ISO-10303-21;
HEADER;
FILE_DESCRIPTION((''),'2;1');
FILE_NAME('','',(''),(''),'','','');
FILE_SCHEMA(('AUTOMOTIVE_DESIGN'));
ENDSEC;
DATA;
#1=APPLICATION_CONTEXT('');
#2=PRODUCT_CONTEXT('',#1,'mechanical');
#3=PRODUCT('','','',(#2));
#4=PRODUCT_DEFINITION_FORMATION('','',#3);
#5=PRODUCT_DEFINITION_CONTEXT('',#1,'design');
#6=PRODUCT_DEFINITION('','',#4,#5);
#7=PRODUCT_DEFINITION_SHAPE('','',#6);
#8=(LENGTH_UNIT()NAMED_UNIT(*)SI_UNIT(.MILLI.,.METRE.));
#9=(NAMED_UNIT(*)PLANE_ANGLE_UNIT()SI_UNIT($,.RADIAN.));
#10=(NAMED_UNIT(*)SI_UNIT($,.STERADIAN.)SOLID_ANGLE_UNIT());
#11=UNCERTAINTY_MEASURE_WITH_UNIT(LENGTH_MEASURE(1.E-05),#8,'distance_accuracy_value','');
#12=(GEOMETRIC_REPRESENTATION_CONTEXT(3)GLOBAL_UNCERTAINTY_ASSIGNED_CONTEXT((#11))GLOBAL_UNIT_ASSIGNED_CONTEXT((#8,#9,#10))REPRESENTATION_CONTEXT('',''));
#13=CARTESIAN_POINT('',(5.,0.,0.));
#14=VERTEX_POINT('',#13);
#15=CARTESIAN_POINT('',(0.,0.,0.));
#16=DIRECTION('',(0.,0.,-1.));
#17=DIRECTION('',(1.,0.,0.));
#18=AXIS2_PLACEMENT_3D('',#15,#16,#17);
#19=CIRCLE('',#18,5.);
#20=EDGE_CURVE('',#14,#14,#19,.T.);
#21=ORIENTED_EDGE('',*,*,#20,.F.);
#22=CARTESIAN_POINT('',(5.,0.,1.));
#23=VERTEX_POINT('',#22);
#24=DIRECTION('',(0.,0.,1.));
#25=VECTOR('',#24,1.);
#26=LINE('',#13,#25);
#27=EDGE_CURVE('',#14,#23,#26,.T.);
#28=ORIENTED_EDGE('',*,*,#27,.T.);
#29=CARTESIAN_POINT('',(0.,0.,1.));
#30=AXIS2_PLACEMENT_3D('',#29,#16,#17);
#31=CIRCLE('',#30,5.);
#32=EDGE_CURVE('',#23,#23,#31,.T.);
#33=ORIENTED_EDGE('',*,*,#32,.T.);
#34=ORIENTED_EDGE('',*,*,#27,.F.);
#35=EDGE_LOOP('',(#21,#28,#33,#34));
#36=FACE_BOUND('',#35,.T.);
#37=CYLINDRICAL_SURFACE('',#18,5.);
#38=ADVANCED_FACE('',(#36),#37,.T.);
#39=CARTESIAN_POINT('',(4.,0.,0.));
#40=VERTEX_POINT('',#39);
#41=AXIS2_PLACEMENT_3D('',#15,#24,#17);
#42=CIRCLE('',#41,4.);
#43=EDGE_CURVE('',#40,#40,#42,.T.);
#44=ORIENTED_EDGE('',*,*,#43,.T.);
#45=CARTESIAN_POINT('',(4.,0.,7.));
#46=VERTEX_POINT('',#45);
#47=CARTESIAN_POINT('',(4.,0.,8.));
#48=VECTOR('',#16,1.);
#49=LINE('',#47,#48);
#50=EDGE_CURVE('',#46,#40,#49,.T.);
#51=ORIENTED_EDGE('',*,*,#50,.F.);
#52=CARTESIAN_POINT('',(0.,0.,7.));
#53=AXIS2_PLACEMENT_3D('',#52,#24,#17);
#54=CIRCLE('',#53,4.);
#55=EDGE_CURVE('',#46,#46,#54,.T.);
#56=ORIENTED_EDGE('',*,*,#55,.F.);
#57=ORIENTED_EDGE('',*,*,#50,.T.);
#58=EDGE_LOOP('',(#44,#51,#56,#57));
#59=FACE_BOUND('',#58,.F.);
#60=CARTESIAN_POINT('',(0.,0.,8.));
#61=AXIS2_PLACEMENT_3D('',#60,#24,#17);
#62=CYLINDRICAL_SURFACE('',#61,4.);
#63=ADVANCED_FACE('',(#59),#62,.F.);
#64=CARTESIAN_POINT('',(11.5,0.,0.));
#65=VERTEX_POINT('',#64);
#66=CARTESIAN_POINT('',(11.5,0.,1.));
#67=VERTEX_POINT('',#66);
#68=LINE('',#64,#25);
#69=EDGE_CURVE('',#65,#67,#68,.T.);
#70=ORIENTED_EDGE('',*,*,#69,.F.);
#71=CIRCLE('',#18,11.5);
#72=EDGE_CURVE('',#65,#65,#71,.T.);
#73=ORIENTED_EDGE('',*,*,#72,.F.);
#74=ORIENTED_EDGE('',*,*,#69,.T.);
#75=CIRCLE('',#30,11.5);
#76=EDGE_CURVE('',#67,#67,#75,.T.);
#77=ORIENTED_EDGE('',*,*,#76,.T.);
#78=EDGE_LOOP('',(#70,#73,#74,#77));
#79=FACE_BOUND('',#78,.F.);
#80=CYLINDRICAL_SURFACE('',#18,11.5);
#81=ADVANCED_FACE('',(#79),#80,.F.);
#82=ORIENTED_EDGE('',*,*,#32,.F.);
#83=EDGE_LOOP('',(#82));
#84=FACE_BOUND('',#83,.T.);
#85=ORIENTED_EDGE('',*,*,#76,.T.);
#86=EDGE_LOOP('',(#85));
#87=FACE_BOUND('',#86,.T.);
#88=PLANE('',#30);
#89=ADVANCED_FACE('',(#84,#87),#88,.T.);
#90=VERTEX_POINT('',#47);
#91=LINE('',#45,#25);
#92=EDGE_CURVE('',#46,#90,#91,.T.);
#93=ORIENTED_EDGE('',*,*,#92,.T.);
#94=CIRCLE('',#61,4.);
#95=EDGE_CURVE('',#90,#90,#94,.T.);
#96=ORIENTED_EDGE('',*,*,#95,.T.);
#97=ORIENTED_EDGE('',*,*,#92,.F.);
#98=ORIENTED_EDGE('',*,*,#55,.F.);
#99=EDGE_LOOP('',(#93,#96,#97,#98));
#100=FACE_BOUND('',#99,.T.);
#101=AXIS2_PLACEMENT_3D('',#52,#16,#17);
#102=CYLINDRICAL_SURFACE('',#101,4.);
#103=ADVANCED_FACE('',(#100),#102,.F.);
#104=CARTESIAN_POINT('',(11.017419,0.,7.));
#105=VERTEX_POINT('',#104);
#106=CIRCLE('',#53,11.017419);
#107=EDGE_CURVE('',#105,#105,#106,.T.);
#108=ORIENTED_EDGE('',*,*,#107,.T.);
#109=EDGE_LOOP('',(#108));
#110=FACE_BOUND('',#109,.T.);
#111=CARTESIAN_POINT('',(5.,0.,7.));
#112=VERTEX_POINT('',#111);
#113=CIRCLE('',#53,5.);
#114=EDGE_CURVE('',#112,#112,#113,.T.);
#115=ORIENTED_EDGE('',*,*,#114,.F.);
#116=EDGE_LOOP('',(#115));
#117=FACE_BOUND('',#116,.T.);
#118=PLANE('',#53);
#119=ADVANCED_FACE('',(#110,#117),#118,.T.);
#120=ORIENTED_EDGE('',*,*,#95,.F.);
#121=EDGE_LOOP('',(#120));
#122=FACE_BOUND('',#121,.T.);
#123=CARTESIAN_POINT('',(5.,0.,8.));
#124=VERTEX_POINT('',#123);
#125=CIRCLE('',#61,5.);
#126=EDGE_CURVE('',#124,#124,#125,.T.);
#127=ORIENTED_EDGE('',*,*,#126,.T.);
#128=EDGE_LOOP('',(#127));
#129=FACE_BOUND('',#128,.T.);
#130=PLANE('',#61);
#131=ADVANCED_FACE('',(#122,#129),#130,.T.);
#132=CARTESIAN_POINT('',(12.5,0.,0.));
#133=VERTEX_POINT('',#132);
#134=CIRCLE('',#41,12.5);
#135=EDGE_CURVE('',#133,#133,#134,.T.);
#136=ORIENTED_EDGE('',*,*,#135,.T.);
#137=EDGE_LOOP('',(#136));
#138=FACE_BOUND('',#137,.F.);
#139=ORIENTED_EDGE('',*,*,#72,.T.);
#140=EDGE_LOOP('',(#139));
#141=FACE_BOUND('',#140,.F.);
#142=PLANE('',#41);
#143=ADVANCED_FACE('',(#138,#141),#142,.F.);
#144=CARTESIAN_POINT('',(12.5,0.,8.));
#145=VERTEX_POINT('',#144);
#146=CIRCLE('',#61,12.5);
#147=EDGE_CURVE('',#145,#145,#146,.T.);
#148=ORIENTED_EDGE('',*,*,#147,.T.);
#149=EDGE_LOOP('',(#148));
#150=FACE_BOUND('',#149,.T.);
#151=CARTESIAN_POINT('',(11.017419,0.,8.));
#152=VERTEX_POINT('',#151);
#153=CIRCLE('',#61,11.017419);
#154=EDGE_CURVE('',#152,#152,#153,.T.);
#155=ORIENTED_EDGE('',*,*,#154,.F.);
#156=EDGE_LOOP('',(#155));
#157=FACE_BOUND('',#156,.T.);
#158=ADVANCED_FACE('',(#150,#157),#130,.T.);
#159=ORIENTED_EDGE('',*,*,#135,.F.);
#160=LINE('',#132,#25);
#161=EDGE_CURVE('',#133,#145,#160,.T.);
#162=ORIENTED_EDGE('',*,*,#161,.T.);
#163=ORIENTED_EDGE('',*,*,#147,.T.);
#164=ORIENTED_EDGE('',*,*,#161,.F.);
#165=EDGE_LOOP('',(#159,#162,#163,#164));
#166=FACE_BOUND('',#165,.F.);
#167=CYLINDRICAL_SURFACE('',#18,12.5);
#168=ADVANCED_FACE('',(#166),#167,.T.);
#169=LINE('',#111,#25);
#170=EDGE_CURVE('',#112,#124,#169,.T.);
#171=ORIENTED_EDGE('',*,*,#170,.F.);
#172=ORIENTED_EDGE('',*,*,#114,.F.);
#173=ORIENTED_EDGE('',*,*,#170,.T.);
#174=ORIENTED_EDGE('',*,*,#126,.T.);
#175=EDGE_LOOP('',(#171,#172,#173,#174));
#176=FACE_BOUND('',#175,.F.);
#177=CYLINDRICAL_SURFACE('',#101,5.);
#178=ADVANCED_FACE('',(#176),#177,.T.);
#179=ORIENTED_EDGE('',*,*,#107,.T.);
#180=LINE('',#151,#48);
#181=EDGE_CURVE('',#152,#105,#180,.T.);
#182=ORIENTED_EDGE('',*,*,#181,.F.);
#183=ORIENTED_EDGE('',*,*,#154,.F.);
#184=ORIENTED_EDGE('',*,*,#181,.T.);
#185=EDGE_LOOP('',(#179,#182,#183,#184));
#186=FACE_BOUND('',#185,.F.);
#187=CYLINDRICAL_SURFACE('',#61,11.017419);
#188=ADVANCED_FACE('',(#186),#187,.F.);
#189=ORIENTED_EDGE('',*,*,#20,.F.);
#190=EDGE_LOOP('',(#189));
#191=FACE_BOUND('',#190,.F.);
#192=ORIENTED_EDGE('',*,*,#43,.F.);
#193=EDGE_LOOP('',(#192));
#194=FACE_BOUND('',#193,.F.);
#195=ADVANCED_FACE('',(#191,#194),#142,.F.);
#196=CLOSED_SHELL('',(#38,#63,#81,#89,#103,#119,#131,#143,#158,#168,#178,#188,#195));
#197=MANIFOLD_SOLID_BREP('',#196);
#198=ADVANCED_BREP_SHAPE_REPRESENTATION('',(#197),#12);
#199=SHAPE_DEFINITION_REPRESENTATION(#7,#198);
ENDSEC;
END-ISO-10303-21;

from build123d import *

# Parameters (mm, degrees)
F0_R      = 12.5
F0_R_2    = 11.5
F1_DEPTH  = 8
F3_R      = 4
F4_DEPTH  = 8.001
F2_R      = 11.0174189911
F5_DEPTH  = 1
F6_R      = 5
F6_R_2    = 4
F7_DEPTH  = 1
F9_R      = 270.8400585349
F9_R_2    = 127
F10_DEPTH = 1
F11_R     = 11.5
F11_R_2   = 5
F12_DEPTH = 1


with BuildPart() as f1:
    # F0 (on Top) → F1 (new body)
    with BuildSketch(Plane.XY):
        Circle(F0_R)
        Circle(F0_R_2, mode=Mode.SUBTRACT)
        Circle(F0_R_2)
    extrude(amount=F1_DEPTH)

    # F3 (on face) → F4 (cut, through all)
    with BuildSketch(Plane.XY.offset(8)):
        Circle(F3_R)
    extrude(amount=-F4_DEPTH, mode=Mode.SUBTRACT)

    # F2 (on face) → F5 (cut)
    with BuildSketch(Plane.XY.offset(8)):
        Circle(F2_R)
    extrude(amount=-F5_DEPTH, mode=Mode.SUBTRACT)

    # F6 (on face) → F7 (join)
    with BuildSketch(Plane.XY.offset(7)):
        Circle(F6_R)
        Circle(F6_R_2, mode=Mode.SUBTRACT)
    extrude(amount=F7_DEPTH)

    # F9 (on face) → F10 (cut)
    with BuildSketch(Plane(origin=(0, 0, 0), x_dir=(1, 0, 0), z_dir=(0, 0, -1))):
        Circle(F9_R)
        Circle(F9_R_2, mode=Mode.SUBTRACT)
    extrude(amount=-F10_DEPTH, mode=Mode.SUBTRACT)

    # F11 (on face) → F12 (cut)
    with BuildSketch(Plane(origin=(0, 0, 0), x_dir=(1, 0, 0), z_dir=(0, 0, -1))):
        Circle(F11_R)
        Circle(F11_R_2, mode=Mode.SUBTRACT)
    extrude(amount=-F12_DEPTH, mode=Mode.SUBTRACT)


solid = f1.part
